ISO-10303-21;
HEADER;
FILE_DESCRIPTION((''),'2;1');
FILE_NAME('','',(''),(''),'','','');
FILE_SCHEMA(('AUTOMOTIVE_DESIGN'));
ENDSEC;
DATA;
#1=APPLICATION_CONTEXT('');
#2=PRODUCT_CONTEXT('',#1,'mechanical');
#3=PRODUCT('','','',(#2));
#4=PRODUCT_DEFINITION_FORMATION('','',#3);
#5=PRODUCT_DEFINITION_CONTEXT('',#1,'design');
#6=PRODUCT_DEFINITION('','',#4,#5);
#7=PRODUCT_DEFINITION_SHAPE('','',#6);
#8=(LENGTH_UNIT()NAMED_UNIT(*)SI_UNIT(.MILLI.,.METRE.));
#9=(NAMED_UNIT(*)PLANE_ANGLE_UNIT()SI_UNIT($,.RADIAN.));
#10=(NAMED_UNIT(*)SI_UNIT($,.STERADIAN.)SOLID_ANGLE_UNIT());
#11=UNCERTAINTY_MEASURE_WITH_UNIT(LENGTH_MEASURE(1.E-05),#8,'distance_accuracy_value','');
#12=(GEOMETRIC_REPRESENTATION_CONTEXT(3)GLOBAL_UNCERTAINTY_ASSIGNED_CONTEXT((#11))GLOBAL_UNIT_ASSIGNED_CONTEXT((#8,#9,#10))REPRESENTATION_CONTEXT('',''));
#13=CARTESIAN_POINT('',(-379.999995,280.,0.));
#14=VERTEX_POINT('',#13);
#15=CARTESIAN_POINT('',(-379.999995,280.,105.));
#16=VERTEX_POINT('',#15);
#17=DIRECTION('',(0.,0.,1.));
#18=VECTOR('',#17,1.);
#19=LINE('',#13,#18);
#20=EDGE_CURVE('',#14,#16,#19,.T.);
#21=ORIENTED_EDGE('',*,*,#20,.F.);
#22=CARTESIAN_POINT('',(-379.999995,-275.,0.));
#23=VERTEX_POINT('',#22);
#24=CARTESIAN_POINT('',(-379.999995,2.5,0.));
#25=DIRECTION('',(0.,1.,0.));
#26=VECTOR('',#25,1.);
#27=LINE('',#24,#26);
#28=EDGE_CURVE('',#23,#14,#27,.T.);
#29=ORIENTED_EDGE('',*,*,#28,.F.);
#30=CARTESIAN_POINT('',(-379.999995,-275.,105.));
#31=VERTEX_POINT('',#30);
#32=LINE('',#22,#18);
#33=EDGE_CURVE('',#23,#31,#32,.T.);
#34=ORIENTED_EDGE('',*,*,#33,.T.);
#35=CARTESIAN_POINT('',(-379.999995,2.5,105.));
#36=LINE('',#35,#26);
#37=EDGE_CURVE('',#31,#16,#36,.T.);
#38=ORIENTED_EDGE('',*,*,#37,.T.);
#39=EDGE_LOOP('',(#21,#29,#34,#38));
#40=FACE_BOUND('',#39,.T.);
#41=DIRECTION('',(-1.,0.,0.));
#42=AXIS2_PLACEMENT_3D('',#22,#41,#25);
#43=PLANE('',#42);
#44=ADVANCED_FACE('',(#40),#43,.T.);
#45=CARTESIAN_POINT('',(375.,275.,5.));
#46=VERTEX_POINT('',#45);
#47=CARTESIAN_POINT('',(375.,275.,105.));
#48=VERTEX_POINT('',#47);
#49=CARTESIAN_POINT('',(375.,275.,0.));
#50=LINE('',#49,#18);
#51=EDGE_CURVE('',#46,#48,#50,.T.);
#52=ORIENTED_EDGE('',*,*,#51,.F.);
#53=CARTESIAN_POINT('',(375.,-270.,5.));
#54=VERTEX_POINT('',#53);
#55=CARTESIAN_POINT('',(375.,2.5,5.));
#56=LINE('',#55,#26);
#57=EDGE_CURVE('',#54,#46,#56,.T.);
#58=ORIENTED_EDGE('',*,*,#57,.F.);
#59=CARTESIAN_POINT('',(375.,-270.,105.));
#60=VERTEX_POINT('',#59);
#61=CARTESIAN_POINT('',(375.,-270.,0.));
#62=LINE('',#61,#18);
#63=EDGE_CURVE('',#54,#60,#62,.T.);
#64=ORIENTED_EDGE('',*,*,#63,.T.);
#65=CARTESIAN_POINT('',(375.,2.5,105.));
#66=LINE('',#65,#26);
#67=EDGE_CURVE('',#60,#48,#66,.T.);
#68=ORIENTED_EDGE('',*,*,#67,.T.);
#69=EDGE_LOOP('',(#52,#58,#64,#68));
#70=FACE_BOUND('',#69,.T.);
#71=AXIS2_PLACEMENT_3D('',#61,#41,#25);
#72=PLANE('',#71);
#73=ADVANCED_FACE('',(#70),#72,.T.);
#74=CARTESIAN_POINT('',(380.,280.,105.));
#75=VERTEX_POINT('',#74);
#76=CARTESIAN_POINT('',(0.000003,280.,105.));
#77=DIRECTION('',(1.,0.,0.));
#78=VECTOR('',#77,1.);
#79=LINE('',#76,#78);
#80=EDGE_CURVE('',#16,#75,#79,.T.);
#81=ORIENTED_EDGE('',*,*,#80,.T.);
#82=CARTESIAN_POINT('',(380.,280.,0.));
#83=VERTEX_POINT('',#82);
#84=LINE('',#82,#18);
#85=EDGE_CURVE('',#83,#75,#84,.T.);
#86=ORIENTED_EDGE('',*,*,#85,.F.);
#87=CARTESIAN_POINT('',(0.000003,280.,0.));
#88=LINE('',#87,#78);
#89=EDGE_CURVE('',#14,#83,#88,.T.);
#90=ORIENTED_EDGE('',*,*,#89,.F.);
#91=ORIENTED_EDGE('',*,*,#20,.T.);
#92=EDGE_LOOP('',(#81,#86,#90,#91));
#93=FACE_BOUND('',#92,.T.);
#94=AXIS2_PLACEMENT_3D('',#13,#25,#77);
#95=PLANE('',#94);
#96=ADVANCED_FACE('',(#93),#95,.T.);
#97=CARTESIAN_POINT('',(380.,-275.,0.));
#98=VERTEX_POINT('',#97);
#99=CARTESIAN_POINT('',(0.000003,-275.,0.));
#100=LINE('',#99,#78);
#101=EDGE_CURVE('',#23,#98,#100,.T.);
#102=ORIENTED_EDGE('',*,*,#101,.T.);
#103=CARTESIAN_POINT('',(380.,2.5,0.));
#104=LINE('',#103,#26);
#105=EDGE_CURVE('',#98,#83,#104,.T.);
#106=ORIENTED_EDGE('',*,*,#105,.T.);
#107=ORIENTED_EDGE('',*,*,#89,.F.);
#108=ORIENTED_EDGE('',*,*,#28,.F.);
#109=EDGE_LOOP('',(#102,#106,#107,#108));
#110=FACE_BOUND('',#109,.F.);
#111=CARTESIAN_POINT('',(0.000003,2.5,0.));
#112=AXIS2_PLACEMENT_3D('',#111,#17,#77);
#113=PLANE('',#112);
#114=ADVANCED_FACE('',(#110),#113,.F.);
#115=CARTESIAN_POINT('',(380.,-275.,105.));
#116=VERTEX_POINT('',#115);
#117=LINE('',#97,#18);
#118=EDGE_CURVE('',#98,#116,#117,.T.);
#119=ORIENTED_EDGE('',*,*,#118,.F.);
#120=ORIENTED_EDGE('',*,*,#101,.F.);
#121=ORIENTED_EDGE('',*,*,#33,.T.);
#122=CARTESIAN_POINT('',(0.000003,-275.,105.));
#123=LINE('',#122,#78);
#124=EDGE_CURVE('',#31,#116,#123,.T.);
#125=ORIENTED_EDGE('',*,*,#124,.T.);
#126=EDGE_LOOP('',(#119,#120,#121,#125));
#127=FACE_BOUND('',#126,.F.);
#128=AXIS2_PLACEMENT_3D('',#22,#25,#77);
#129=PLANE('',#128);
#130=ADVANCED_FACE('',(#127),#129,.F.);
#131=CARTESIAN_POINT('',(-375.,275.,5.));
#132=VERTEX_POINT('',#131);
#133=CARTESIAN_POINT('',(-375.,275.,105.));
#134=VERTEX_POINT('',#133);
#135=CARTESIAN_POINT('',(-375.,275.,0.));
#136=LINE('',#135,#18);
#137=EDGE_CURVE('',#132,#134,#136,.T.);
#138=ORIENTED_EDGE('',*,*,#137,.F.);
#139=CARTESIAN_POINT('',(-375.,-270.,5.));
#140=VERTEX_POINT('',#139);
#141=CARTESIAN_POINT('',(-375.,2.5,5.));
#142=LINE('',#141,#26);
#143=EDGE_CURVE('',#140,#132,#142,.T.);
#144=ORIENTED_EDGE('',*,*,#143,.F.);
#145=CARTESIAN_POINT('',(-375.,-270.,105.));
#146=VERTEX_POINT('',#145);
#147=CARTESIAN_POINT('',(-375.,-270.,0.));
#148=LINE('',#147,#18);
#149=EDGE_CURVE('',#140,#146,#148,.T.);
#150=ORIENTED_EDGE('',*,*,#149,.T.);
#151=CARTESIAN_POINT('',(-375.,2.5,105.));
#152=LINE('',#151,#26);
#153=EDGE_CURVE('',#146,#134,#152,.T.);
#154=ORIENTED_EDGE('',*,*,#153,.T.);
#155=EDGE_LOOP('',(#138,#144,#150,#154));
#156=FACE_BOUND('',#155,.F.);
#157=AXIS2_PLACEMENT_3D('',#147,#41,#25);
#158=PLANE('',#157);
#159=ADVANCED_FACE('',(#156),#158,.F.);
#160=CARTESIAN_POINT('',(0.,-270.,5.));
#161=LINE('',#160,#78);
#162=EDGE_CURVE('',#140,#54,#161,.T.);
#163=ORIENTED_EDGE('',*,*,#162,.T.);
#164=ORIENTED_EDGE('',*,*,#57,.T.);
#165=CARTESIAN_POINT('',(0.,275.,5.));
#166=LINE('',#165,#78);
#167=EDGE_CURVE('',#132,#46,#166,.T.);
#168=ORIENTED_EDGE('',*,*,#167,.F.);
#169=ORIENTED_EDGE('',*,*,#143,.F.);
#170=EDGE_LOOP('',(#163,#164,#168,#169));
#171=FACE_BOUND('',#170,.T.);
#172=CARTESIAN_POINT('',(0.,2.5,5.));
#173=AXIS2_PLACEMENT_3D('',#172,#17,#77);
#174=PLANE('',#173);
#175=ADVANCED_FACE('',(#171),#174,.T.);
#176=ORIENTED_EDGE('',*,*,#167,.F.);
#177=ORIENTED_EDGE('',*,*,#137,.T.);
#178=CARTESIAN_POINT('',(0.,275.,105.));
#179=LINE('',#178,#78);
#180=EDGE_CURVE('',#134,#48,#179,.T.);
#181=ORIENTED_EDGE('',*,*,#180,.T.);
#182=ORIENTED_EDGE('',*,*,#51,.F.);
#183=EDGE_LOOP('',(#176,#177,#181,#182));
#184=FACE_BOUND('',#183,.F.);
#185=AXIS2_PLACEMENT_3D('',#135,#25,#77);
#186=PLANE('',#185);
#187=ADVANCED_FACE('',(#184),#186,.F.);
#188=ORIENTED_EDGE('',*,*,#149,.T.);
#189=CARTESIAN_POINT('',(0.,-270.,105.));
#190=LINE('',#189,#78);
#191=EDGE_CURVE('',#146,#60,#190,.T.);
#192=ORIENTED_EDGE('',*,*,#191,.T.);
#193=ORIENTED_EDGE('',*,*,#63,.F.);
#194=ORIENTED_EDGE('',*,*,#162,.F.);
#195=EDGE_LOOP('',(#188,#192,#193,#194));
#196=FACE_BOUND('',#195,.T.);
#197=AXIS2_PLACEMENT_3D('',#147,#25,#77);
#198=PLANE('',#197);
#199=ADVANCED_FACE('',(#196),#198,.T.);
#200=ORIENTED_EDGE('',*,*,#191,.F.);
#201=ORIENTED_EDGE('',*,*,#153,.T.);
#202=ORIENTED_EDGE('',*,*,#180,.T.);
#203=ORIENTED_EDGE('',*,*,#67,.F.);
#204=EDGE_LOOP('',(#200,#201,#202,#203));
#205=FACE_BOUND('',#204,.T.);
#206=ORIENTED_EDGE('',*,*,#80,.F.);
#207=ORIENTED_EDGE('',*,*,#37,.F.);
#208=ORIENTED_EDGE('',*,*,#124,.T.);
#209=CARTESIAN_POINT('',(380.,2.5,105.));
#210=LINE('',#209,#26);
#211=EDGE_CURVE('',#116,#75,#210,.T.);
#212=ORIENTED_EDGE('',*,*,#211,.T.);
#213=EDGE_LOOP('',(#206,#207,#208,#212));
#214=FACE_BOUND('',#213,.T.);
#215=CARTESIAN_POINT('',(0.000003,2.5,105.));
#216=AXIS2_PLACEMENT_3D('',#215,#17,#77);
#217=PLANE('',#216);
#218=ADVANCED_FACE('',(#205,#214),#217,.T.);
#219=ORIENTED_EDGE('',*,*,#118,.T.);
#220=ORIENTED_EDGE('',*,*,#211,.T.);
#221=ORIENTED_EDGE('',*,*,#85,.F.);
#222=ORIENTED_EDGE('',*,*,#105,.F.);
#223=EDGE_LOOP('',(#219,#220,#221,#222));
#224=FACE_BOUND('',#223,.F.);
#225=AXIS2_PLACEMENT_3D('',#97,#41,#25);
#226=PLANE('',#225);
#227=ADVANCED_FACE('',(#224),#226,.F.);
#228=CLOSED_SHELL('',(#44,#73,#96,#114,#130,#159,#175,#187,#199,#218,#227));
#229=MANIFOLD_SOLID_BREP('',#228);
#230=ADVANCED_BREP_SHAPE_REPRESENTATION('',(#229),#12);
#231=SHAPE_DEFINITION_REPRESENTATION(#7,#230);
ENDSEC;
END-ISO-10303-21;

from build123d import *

# Parameters (mm, degrees)
F0_W     = 750
F0_H     = 545
F1_DEPTH = 5
F0_W_2   = 759.999995
F0_H_2   = 555
F2_DEPTH = 105


with BuildPart() as f1:
    # F0 (on Top) → F1 (new body)
    with BuildSketch(Plane.XY):
        with Locations((0, 2.5)):
            Rectangle(F0_W, F0_H)
    extrude(amount=F1_DEPTH)

    # F0 (on Top) → F2 (join)
    with BuildSketch(Plane.XY):
        with Locations((3e-06, 2.5)):
            Rectangle(F0_W_2, F0_H_2)
        with Locations((0, 2.5)):
            Rectangle(F0_W, F0_H, mode=Mode.SUBTRACT)
    extrude(amount=F2_DEPTH)


solid = f1.part
